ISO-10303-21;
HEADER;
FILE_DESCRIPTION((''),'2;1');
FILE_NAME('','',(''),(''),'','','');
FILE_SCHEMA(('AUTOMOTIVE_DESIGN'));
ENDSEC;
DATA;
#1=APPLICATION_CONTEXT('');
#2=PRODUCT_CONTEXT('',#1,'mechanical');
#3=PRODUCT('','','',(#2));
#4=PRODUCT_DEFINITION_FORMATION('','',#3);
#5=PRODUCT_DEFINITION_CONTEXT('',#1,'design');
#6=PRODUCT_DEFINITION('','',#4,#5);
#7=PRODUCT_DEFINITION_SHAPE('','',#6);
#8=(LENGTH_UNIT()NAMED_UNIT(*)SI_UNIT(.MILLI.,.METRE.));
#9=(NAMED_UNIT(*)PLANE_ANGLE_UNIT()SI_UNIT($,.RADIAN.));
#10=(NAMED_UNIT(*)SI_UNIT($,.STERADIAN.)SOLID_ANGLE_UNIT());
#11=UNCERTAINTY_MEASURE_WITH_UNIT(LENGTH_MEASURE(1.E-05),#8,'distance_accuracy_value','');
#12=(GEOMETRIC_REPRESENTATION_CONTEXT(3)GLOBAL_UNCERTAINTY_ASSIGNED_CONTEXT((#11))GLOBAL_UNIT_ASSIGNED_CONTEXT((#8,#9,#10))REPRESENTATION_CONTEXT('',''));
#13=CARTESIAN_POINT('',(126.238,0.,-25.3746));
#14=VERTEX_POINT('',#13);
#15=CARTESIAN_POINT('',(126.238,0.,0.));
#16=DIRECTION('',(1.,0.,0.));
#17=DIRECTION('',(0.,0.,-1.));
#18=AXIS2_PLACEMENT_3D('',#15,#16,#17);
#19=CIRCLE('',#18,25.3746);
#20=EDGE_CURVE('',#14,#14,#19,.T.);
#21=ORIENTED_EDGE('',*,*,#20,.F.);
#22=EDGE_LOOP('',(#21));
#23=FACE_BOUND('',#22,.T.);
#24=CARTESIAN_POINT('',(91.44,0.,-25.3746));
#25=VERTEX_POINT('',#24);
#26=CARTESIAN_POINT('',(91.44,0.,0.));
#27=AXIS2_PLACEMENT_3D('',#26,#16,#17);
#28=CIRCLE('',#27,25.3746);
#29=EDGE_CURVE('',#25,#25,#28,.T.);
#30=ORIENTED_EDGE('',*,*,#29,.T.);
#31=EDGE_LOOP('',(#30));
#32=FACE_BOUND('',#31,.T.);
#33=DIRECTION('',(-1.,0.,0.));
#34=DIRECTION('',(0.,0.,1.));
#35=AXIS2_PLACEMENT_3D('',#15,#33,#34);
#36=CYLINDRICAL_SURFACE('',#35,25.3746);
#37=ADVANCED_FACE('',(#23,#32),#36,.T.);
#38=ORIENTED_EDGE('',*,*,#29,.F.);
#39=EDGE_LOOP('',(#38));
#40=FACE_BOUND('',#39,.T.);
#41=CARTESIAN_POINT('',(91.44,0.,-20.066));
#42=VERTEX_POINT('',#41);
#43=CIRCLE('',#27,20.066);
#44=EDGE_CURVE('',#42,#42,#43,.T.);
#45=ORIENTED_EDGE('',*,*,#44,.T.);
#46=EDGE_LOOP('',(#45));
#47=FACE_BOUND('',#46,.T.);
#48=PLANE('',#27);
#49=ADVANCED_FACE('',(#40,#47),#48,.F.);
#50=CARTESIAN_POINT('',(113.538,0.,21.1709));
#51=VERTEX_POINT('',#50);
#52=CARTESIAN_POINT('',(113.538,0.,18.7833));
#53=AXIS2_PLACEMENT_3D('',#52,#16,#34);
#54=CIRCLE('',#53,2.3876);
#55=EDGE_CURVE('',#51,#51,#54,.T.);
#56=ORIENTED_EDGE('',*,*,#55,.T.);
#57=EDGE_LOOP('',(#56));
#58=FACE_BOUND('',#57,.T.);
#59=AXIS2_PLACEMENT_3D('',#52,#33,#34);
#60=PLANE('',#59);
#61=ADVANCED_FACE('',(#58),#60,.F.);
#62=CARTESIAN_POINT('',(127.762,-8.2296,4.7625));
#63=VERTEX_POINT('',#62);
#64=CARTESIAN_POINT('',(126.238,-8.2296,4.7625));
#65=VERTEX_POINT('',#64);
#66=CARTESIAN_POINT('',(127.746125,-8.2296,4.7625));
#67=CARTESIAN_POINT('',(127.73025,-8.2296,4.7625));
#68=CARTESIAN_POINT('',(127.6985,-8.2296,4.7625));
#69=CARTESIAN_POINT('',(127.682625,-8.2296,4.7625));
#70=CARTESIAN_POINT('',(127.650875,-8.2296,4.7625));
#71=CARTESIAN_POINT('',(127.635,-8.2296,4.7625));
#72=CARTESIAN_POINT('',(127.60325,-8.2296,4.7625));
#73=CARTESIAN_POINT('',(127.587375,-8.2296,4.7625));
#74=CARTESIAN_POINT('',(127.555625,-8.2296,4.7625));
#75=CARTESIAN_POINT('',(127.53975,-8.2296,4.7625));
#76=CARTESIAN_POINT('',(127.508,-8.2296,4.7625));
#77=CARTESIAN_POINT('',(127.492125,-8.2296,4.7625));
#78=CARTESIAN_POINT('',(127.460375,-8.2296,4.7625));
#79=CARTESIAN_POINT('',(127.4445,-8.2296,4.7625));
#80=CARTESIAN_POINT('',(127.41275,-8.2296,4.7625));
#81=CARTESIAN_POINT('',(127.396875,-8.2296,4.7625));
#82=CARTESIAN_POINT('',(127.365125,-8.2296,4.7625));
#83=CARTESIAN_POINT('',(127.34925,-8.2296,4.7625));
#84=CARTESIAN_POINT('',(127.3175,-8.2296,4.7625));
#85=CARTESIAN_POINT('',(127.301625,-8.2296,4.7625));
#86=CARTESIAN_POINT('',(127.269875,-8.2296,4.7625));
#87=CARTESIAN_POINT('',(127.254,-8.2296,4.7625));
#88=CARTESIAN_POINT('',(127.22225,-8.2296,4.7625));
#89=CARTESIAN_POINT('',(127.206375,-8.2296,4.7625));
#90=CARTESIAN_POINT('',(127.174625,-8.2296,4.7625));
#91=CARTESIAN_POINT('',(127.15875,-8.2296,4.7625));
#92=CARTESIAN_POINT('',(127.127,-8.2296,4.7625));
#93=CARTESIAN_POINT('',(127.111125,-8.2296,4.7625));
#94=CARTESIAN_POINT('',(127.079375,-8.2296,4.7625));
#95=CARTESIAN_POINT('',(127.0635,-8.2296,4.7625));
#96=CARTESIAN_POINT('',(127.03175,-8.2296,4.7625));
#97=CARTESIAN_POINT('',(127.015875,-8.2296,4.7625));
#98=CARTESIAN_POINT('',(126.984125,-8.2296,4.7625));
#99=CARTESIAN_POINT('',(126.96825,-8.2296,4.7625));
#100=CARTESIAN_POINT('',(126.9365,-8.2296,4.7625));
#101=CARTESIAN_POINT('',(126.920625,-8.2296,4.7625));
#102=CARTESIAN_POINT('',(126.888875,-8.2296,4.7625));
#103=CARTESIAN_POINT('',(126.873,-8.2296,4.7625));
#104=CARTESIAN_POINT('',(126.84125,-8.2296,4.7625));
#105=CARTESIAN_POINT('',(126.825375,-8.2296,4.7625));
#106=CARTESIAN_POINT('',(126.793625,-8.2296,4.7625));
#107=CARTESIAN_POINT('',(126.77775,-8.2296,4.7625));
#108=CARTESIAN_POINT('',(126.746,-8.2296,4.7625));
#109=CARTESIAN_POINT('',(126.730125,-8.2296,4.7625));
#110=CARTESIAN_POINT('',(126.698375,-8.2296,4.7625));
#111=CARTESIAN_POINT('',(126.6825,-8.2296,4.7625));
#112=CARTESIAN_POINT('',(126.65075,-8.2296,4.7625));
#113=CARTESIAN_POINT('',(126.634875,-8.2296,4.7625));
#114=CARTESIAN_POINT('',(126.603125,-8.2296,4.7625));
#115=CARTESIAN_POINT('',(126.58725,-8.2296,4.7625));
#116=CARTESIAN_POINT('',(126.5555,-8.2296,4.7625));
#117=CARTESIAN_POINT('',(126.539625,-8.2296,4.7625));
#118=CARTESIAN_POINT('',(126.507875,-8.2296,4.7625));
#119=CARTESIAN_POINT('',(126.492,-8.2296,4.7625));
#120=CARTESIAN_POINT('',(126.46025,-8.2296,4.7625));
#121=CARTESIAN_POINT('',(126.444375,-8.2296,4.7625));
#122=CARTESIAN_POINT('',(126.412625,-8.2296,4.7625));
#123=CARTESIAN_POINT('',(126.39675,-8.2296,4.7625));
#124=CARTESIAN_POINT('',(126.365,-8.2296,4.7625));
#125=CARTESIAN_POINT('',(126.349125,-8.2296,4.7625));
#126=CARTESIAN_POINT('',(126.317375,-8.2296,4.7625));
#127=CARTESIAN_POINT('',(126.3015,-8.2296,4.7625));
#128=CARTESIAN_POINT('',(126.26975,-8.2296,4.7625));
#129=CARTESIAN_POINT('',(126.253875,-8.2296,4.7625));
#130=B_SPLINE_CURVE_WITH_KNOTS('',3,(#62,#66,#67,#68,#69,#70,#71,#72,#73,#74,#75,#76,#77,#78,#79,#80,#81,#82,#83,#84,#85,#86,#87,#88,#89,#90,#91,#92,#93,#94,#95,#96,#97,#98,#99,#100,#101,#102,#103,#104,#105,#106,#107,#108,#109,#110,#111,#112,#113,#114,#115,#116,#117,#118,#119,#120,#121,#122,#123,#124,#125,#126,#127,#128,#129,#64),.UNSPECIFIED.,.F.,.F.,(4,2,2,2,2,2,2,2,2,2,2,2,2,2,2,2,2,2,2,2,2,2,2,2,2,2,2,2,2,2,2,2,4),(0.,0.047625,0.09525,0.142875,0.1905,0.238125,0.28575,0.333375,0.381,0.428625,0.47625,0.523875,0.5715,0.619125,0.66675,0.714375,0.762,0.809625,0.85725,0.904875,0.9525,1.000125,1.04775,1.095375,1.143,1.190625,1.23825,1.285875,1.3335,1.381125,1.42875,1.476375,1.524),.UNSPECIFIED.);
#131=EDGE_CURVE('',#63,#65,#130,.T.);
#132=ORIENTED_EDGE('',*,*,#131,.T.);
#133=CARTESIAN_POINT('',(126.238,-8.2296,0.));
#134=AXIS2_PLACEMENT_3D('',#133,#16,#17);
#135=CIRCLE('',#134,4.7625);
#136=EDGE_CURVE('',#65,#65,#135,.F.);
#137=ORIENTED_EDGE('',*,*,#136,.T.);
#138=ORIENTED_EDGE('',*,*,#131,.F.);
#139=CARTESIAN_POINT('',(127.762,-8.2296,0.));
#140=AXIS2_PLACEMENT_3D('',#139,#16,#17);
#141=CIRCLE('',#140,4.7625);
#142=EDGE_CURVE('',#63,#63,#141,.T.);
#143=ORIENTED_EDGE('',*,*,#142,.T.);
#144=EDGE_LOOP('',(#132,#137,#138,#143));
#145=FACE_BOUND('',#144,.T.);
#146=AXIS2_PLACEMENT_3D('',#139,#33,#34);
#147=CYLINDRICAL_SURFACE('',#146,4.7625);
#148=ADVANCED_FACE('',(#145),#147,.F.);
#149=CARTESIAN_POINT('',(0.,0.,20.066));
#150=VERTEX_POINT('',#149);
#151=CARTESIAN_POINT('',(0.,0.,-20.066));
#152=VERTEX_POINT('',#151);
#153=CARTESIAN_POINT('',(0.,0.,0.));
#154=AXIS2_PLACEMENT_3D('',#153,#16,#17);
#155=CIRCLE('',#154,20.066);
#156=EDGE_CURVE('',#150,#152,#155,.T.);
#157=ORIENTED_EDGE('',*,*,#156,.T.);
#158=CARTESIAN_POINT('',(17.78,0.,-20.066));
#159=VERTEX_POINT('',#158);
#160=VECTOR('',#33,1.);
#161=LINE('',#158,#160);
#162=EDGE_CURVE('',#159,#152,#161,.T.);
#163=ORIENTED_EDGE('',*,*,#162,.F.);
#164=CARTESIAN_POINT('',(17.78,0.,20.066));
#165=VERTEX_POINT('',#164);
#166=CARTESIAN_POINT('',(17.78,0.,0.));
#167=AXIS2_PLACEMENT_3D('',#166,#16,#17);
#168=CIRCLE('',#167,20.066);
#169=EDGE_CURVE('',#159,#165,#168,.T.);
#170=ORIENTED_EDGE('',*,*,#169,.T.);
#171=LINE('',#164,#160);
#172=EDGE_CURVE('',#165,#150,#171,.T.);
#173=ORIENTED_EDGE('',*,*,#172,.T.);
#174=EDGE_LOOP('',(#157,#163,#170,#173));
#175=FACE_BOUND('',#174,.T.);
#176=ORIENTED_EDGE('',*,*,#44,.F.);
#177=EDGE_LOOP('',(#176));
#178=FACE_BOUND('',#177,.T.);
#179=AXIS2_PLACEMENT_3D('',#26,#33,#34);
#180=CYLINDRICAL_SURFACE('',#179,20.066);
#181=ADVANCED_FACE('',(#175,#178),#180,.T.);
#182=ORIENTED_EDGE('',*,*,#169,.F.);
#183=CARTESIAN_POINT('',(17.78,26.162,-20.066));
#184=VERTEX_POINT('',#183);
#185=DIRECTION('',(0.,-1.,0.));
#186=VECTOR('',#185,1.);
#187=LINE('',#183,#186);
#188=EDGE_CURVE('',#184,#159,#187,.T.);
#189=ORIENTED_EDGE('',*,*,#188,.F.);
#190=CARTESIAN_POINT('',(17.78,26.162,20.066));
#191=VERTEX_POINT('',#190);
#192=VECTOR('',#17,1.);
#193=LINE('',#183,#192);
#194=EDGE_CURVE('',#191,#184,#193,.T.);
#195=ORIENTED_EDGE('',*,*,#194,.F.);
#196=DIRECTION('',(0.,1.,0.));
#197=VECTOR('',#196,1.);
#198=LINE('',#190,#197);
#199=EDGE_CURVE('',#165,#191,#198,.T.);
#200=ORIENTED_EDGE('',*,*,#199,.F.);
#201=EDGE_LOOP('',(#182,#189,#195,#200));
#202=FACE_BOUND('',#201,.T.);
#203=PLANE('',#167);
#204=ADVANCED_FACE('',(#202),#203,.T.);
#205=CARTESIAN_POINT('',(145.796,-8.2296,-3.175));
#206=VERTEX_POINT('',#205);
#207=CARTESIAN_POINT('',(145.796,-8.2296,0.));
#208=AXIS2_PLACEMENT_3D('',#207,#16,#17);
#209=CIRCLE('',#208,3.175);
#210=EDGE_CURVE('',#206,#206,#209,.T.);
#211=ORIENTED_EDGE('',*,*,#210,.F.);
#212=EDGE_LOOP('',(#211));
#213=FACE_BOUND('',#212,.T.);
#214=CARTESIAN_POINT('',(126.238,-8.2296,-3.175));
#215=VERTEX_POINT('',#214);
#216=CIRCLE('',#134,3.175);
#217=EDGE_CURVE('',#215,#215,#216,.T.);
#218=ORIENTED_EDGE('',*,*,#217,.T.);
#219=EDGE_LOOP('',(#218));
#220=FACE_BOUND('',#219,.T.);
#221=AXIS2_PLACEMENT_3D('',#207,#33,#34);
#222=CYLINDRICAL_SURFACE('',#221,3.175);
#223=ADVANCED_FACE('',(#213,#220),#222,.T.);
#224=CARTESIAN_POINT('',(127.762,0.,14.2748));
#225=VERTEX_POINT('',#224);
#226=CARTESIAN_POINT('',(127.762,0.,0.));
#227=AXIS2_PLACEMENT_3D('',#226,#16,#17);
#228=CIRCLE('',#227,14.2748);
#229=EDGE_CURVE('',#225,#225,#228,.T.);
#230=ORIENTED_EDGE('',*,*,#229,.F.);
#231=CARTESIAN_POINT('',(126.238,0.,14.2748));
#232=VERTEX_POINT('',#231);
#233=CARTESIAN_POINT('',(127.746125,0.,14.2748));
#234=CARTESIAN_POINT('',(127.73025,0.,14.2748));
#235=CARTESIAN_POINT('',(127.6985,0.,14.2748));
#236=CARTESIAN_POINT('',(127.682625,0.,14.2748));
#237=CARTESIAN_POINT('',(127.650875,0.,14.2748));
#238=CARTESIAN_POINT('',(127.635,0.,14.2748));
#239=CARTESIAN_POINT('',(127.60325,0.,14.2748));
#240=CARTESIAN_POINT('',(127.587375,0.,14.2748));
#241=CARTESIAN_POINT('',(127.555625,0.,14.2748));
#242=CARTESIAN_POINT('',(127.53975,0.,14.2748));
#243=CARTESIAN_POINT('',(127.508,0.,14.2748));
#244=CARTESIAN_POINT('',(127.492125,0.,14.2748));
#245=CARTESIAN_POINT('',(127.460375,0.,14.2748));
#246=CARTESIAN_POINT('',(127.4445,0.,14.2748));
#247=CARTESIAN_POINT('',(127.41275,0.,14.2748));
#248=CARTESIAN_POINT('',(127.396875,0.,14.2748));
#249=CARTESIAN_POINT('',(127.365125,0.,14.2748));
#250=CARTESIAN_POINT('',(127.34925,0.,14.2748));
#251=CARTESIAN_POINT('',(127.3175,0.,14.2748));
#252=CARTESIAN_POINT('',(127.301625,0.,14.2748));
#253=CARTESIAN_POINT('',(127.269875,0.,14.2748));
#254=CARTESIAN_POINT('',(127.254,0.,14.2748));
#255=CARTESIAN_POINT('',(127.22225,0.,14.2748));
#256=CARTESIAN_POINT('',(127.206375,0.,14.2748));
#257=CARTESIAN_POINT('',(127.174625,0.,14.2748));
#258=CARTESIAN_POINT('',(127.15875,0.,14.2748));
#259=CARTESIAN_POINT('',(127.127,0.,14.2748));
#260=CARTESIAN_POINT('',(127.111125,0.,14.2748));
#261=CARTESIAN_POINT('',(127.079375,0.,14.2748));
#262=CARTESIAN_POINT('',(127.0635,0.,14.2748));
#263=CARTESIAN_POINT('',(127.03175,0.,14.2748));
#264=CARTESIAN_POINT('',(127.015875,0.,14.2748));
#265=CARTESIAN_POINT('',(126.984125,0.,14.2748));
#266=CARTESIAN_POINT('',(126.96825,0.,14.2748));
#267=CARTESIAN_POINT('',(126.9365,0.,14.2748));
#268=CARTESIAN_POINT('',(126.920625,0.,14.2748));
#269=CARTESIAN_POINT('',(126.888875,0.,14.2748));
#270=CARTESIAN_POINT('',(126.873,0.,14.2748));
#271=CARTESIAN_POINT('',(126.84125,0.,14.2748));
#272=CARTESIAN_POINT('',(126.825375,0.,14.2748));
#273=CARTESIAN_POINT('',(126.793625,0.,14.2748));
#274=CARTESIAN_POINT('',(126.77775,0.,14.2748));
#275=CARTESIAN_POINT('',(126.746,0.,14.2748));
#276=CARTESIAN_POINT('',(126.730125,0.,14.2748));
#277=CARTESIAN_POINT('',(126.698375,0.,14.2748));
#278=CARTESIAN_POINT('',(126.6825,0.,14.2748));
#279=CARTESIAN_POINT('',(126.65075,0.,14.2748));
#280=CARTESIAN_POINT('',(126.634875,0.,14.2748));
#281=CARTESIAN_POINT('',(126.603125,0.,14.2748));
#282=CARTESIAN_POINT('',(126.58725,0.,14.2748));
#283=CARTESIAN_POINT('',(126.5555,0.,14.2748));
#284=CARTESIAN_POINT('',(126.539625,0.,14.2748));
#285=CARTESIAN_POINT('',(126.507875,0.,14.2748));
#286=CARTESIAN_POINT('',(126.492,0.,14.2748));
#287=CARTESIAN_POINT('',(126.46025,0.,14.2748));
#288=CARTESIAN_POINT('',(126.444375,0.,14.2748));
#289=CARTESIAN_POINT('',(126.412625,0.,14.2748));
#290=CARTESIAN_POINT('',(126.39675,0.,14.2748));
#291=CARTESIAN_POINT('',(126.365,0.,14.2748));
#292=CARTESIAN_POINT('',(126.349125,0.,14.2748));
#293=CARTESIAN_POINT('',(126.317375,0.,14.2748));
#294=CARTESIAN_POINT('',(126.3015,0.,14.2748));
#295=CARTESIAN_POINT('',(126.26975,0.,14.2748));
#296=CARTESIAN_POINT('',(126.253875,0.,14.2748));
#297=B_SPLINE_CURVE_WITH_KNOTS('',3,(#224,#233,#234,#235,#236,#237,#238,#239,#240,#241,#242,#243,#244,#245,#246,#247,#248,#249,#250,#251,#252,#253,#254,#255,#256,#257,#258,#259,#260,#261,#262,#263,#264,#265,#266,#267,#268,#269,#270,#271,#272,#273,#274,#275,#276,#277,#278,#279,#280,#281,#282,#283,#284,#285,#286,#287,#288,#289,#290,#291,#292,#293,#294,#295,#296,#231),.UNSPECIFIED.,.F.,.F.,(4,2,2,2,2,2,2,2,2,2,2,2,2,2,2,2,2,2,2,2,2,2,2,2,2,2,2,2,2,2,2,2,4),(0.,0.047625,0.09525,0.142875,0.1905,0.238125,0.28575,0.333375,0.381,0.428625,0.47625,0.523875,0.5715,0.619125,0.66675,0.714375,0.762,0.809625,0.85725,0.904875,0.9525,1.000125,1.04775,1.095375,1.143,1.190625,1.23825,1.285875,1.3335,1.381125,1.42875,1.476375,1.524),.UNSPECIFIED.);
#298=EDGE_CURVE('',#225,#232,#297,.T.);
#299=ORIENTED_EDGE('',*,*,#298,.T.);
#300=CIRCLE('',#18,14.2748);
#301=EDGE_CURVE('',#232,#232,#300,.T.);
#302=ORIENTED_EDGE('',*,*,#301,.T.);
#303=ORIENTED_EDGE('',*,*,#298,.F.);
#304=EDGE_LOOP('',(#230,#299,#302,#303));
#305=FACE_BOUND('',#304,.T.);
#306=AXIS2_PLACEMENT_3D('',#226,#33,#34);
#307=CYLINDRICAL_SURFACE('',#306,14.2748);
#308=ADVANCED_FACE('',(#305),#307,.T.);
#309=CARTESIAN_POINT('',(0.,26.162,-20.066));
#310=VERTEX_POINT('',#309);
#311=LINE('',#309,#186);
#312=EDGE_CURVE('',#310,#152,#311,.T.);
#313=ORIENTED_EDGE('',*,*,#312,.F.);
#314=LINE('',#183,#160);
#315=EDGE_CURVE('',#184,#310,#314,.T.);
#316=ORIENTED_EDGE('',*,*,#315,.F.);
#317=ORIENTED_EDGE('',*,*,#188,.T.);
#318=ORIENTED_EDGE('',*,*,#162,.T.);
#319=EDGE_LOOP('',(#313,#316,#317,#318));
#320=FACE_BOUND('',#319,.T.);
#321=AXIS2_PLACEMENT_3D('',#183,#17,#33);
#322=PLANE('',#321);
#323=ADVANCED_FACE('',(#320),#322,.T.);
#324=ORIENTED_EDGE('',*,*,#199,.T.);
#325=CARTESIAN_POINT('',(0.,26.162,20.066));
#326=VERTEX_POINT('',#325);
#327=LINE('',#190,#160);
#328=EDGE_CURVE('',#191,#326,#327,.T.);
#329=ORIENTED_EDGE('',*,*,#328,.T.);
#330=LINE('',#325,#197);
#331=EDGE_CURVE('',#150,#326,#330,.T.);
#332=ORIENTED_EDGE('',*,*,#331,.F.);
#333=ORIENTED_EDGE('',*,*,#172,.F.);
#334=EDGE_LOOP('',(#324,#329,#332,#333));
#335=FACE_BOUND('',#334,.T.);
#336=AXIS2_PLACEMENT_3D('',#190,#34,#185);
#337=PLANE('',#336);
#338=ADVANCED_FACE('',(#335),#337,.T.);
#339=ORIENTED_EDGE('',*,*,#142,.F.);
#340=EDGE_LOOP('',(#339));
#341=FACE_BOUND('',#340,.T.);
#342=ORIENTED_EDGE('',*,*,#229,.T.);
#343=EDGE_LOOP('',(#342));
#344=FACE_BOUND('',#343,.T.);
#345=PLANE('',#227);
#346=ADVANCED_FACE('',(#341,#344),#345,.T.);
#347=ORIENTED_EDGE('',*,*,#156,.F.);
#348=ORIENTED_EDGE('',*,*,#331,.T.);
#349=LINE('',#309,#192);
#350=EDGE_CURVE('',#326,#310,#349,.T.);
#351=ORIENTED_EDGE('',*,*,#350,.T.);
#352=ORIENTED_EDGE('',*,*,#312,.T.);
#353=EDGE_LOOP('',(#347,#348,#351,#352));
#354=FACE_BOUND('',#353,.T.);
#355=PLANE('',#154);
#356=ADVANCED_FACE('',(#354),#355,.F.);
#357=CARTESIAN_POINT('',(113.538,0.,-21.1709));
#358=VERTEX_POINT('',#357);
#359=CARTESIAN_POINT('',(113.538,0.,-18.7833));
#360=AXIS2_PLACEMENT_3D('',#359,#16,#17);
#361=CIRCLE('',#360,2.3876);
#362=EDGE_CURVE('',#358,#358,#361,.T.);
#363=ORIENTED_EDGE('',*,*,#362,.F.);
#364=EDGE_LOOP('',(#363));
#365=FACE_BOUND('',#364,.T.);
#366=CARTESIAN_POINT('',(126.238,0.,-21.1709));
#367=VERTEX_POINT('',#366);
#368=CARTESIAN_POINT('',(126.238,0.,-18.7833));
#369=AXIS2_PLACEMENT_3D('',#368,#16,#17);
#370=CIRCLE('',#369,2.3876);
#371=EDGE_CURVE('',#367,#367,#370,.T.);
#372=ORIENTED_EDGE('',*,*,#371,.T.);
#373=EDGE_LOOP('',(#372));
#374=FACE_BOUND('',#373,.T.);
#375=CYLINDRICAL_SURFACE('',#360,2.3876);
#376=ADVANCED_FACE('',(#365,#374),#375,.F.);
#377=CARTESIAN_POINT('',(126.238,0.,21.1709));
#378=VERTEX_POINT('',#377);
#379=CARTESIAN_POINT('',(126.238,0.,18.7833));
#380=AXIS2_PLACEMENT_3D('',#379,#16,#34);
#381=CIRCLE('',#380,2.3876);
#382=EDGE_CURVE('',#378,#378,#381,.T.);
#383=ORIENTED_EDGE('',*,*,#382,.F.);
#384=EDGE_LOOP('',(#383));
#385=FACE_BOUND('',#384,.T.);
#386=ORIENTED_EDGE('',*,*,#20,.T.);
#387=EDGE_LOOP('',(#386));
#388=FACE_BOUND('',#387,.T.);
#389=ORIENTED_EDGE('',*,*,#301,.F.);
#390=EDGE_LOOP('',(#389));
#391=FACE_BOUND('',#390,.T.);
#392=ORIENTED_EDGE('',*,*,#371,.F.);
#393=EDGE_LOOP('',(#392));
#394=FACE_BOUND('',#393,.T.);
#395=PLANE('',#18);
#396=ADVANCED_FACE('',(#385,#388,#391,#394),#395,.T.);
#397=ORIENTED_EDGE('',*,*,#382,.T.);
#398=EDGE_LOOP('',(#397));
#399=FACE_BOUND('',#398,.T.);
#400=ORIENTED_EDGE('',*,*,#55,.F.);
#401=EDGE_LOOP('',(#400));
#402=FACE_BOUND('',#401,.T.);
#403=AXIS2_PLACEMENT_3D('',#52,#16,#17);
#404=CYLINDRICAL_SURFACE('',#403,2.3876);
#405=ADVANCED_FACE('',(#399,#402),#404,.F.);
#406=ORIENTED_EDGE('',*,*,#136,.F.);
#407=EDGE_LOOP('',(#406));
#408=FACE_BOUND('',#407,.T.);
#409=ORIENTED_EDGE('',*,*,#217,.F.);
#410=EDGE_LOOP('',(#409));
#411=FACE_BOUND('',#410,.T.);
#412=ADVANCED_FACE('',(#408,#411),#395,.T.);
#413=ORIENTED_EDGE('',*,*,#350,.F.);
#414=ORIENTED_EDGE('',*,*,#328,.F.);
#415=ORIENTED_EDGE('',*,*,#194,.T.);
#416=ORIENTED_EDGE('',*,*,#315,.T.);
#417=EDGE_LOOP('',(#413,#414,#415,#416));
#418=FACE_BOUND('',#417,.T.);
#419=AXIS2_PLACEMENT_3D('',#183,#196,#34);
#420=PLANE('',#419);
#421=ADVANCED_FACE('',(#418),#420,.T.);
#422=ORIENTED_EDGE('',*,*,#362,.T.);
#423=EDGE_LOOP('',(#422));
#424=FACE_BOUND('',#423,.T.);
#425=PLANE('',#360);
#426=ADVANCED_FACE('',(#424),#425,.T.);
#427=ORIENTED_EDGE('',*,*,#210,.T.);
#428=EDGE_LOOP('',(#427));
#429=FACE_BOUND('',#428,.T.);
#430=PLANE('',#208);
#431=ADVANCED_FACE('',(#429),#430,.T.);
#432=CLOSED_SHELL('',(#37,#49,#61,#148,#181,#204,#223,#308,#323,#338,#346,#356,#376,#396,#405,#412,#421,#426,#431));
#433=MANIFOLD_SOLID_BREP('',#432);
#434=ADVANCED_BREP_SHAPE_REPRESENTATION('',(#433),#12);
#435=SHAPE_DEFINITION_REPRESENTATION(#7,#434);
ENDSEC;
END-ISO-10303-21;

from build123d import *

# Parameters (mm, degrees)
SKETCH1_R           = 20.066
BOSS_EXTRUDE1_DEPTH = 91.44
BOSS_EXTRUDE2_DEPTH = 17.78
SKETCH3_R           = 25.3746
BOSS_EXTRUDE3_DEPTH = 34.798
SKETCH5_R           = 14.2748
SKETCH5_R_2         = 4.7625
BOSS_EXTRUDE5_DEPTH = 1.524
SKETCH6_R           = 3.175
BOSS_EXTRUDE6_DEPTH = 19.558
SKETCH7_R           = 2.3876
CUT_EXTRUDE1_DEPTH  = 12.7


with BuildPart() as part:
    # Sketch1 → Boss-Extrude1 (new body)
    with BuildSketch(Plane(origin=(0, 0, 0), x_dir=(0, 0, -1), z_dir=(1, 0, 0))):
        Circle(SKETCH1_R)
    extrude(amount=BOSS_EXTRUDE1_DEPTH)

    # Sketch2 → Boss-Extrude2 (add)
    with BuildSketch(Plane.ZY):
        with BuildLine():
            Line((-20.066, 26.162), (20.066, 26.162))
            Line((20.066, 26.162), (20.066, 0))
            ThreePointArc((20.066, 0), (0, -20.066), (-20.066, 0))
            Line((-20.066, 0), (-20.066, 26.162))
        make_face()
    extrude(amount=-BOSS_EXTRUDE2_DEPTH)

    # Sketch3 → Boss-Extrude3 (add)
    with BuildSketch(Plane(origin=(91.44, 0, 0), x_dir=(0, 0, -1), z_dir=(1, 0, 0))):
        Circle(SKETCH3_R)
    extrude(amount=BOSS_EXTRUDE3_DEPTH)

    # Sketch5 → Boss-Extrude5 (add)
    with BuildSketch(Plane(origin=(126.238, 0, 0), x_dir=(0, 0, -1), z_dir=(1, 0, 0))):
        with Locations(Location((0, 0, 0), (0, 0, 180))):
            Circle(SKETCH5_R)
        with Locations(Location((0, -8.2296, 0), (0, 0, 180))):
            Circle(SKETCH5_R_2, mode=Mode.SUBTRACT)
    extrude(amount=BOSS_EXTRUDE5_DEPTH)

    # Sketch6 → Boss-Extrude6 (add)
    with BuildSketch(Plane(origin=(126.238, 0, 0), x_dir=(0, 0, -1), z_dir=(1, 0, 0))):
        with Locations((0, -8.2296)):
            Circle(SKETCH6_R)
    extrude(amount=BOSS_EXTRUDE6_DEPTH)

    # Sketch7 → Cut-Extrude1 (cut)
    with BuildSketch(Plane(origin=(126.238, 0, 0), x_dir=(0, 0, -1), z_dir=(1, 0, 0))):
        with Locations((18.7833, 0)):
            Circle(SKETCH7_R)
        with Locations(Location((-18.7833, 0, 0), (0, 0, 180))):
            Circle(SKETCH7_R)
    extrude(amount=-CUT_EXTRUDE1_DEPTH, mode=Mode.SUBTRACT)


solid = part.part
